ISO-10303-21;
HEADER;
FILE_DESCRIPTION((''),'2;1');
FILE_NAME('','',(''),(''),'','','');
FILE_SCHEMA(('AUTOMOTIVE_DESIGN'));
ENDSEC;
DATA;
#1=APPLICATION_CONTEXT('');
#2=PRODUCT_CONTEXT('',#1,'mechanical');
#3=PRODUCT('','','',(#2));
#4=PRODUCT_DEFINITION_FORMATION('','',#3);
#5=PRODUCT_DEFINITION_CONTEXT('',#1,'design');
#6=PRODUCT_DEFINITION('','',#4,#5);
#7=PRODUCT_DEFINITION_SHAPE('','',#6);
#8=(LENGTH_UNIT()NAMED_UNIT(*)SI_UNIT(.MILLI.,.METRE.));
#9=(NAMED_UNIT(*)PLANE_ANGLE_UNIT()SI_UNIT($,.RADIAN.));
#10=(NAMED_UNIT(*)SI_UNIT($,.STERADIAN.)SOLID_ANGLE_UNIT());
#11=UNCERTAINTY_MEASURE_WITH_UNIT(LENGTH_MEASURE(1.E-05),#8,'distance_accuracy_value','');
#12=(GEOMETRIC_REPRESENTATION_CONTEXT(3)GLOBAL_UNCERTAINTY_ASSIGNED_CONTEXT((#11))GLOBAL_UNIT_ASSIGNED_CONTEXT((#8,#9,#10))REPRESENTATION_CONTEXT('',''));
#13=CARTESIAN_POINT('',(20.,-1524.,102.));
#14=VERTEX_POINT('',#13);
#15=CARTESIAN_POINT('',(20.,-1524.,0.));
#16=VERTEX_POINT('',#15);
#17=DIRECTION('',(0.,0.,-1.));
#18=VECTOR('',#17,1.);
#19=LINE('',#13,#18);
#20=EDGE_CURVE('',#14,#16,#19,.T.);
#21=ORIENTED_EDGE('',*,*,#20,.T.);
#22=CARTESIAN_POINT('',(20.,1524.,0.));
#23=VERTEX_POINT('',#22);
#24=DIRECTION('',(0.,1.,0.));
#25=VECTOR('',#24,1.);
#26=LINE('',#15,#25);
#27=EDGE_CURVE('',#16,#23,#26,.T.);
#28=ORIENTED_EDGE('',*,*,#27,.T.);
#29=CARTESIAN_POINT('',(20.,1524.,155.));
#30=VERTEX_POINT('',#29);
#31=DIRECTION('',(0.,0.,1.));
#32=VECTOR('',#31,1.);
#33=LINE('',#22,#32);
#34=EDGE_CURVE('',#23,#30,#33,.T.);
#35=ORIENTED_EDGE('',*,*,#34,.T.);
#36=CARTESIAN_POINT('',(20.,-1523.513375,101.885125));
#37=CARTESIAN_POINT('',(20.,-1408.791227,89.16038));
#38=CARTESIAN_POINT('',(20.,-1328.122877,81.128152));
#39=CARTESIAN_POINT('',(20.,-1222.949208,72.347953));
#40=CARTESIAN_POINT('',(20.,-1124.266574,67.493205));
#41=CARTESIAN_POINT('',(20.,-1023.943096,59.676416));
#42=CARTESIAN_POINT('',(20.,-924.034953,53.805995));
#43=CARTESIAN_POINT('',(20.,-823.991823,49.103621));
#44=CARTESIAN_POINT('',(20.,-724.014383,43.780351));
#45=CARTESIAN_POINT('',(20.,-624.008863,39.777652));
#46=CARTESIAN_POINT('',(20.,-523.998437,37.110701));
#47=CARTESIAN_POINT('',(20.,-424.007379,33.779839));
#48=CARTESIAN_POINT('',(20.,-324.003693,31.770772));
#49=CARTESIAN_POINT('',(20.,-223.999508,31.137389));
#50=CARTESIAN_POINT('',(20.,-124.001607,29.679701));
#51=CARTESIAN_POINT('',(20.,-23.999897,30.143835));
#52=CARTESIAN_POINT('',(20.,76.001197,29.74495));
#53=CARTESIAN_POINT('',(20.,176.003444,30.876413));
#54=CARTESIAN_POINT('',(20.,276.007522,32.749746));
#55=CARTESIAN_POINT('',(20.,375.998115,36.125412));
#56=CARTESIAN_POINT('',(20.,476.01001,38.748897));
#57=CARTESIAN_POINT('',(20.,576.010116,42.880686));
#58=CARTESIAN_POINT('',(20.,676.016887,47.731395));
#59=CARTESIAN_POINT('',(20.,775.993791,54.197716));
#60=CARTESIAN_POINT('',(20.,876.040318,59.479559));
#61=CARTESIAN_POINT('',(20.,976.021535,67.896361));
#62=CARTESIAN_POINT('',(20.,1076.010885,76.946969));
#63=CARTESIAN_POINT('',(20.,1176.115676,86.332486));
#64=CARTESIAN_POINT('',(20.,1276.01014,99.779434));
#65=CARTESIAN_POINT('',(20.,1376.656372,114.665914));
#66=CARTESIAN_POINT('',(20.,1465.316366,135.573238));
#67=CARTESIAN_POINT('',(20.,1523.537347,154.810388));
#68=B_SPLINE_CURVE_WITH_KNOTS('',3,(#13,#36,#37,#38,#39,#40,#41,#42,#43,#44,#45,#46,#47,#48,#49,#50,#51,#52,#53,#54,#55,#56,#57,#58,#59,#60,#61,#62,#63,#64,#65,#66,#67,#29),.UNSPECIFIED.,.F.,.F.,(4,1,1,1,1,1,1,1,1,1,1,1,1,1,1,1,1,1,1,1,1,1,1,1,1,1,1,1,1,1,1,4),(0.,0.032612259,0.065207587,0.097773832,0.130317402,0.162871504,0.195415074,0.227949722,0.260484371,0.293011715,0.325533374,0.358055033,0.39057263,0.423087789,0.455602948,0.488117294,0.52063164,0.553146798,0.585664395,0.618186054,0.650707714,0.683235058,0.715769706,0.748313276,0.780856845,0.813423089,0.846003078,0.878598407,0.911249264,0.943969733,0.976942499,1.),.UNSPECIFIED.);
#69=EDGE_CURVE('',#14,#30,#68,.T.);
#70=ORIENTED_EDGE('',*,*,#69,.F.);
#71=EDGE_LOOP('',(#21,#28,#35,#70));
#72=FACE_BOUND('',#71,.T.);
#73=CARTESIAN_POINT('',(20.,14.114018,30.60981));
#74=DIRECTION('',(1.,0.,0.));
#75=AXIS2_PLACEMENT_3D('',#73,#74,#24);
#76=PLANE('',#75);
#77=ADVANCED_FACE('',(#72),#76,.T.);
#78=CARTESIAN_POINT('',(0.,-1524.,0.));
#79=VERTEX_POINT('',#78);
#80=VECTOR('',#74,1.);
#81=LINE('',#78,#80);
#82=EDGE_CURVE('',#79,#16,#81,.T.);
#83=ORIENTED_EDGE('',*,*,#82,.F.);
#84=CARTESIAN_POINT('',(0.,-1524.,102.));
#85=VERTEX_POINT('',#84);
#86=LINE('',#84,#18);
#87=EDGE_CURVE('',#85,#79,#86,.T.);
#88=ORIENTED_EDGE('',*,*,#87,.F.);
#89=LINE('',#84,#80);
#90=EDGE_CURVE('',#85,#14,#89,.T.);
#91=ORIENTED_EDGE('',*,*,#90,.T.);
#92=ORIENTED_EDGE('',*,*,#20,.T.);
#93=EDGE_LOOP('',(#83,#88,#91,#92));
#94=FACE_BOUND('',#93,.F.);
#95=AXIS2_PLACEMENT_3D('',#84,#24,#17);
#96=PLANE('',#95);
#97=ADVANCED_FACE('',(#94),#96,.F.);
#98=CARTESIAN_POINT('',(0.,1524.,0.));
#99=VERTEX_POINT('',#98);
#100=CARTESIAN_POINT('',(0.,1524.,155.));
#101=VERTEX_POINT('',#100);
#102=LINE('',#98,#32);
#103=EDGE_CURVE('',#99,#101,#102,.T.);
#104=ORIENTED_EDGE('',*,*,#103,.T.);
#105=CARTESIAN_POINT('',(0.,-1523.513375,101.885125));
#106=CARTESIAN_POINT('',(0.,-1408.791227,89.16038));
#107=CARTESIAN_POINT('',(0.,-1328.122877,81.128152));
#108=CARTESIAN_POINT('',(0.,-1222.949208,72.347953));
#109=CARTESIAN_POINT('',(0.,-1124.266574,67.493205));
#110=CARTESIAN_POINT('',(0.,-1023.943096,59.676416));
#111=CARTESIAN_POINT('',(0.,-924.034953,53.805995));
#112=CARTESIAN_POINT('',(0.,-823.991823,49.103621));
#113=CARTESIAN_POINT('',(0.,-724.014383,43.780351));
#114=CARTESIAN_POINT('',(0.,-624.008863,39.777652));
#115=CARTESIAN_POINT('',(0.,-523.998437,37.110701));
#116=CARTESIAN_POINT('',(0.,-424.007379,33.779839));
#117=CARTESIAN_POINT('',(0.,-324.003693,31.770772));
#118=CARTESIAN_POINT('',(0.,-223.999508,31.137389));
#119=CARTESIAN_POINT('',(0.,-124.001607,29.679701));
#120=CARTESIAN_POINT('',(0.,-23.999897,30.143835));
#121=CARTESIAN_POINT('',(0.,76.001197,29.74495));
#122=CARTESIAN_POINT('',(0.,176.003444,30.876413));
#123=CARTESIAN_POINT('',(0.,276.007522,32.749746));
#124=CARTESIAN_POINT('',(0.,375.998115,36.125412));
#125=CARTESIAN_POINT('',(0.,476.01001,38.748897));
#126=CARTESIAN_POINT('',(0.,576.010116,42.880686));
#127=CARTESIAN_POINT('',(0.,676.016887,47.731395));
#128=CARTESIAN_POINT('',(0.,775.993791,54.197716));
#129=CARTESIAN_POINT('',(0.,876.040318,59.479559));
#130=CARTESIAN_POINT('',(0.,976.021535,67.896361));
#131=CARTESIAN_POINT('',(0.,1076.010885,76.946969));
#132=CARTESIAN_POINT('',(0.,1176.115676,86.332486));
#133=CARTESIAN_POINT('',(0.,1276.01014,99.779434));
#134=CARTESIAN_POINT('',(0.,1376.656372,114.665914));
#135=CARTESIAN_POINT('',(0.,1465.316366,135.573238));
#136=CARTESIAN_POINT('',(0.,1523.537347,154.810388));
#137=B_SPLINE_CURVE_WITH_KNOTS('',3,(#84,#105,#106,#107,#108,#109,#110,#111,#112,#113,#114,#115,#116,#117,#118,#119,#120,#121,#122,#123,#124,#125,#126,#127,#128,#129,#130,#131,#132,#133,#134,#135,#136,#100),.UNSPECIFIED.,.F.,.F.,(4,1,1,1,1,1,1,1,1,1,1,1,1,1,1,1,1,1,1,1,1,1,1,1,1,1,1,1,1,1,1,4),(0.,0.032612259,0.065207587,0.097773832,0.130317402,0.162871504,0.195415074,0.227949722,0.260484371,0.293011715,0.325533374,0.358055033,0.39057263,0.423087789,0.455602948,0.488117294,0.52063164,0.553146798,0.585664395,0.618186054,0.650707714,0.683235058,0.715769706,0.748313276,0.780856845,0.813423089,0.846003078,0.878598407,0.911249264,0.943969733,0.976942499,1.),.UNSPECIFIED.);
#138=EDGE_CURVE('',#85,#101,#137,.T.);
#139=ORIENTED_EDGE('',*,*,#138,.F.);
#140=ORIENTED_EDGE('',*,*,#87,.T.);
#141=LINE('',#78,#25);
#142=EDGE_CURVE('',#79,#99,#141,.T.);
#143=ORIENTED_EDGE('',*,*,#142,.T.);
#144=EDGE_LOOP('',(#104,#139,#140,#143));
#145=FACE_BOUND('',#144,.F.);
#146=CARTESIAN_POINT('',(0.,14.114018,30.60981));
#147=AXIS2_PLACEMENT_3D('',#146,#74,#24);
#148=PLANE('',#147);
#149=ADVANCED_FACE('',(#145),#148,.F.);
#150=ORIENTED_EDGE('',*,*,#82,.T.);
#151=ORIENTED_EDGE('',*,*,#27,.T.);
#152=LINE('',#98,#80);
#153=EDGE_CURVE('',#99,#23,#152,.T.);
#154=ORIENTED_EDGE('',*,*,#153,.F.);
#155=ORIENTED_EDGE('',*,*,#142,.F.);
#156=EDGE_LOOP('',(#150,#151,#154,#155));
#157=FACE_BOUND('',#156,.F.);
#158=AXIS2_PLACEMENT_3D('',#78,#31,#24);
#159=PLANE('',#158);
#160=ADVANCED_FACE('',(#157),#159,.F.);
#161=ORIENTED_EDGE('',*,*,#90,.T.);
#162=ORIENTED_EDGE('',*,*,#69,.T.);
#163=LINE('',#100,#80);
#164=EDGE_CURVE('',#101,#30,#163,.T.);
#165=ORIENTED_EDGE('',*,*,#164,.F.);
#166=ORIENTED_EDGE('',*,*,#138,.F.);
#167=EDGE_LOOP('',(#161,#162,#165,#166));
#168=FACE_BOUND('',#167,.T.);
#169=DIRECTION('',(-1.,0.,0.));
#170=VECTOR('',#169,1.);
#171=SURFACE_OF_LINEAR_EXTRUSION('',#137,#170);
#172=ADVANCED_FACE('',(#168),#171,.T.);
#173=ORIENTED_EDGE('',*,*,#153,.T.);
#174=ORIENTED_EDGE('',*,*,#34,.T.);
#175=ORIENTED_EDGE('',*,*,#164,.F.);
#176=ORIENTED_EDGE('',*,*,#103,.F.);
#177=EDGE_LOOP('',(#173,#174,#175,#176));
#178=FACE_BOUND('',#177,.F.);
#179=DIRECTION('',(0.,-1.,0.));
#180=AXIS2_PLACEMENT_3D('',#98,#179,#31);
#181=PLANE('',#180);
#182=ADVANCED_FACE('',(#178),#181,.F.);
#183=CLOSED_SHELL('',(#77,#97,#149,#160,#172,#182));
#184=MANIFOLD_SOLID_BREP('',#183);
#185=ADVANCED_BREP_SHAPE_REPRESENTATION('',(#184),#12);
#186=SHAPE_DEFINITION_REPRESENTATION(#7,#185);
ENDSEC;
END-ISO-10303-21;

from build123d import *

# Parameters (mm, degrees)
F1_DEPTH = 20


with BuildPart() as f1:
    # F0 (on Right) → F1 (new body)
    with BuildSketch(Plane.YZ):
        with BuildLine():
            Line((-1524, 102), (-1524, 0))
            Line((-1524, 0), (1524, 0))
            Line((1524, 0), (1524, 155))
            add(Edge.make_bspline(
                [(-1524, 102), (-1523.5133752437, 101.8851246477), (-1408.7912269509, 89.1603797095), (-1328.1228770954, 81.1281516651), (-1222.9492078542, 72.3479525491), (-1124.2665744342, 67.4932045799), (-1023.94309645, 59.6764155139), (-924.0349531775, 53.805994689), (-823.9918225167, 49.1036206425), (-724.0143825979, 43.7803509145), (-624.0088625202, 39.7776519647), (-523.9984371896, 37.1107007848), (-424.0073790506, 33.7798389716), (-324.0036932597, 31.7707717723), (-223.9995081657, 31.1373887456), (-124.0016068592, 29.6797012229), (-23.9998974277, 30.1438353394), (76.0011965648, 29.7449502279), (176.0034437181, 30.8764133936), (276.0075220578, 32.7497464803), (375.9981147016, 36.1254124825), (476.0100095315, 38.748896998), (576.0101158316, 42.8806862016), (676.01688664, 47.7313952533), (775.9937905409, 54.1977156997), (876.0403182227, 59.4795593065), (976.0215348454, 67.8963611687), (1076.0108845518, 76.9469689387), (1176.1156760629, 86.3324859418), (1276.010139981, 99.7794335028), (1376.656372399, 114.6659141086), (1465.3163658887, 135.5732382543), (1523.5373474307, 154.8103882913), (1524, 155)],
                knots=[0, 0, 0, 0, 0.0326122587, 0.0652075875, 0.097773832, 0.1303174015, 0.1628715045, 0.195415074, 0.2279497224, 0.2604843708, 0.2930117147, 0.3255333739, 0.3580550332, 0.3905726301, 0.4230877889, 0.4556029477, 0.4881172936, 0.5206316396, 0.5531467984, 0.5856643953, 0.6181860545, 0.6507077138, 0.6832350577, 0.7157697061, 0.7483132755, 0.780856845, 0.8134230895, 0.846003078, 0.8785984068, 0.9112492637, 0.9439697331, 0.9769424993, 1, 1, 1, 1], degree=3))
        make_face()
    extrude(amount=F1_DEPTH)


solid = f1.part
